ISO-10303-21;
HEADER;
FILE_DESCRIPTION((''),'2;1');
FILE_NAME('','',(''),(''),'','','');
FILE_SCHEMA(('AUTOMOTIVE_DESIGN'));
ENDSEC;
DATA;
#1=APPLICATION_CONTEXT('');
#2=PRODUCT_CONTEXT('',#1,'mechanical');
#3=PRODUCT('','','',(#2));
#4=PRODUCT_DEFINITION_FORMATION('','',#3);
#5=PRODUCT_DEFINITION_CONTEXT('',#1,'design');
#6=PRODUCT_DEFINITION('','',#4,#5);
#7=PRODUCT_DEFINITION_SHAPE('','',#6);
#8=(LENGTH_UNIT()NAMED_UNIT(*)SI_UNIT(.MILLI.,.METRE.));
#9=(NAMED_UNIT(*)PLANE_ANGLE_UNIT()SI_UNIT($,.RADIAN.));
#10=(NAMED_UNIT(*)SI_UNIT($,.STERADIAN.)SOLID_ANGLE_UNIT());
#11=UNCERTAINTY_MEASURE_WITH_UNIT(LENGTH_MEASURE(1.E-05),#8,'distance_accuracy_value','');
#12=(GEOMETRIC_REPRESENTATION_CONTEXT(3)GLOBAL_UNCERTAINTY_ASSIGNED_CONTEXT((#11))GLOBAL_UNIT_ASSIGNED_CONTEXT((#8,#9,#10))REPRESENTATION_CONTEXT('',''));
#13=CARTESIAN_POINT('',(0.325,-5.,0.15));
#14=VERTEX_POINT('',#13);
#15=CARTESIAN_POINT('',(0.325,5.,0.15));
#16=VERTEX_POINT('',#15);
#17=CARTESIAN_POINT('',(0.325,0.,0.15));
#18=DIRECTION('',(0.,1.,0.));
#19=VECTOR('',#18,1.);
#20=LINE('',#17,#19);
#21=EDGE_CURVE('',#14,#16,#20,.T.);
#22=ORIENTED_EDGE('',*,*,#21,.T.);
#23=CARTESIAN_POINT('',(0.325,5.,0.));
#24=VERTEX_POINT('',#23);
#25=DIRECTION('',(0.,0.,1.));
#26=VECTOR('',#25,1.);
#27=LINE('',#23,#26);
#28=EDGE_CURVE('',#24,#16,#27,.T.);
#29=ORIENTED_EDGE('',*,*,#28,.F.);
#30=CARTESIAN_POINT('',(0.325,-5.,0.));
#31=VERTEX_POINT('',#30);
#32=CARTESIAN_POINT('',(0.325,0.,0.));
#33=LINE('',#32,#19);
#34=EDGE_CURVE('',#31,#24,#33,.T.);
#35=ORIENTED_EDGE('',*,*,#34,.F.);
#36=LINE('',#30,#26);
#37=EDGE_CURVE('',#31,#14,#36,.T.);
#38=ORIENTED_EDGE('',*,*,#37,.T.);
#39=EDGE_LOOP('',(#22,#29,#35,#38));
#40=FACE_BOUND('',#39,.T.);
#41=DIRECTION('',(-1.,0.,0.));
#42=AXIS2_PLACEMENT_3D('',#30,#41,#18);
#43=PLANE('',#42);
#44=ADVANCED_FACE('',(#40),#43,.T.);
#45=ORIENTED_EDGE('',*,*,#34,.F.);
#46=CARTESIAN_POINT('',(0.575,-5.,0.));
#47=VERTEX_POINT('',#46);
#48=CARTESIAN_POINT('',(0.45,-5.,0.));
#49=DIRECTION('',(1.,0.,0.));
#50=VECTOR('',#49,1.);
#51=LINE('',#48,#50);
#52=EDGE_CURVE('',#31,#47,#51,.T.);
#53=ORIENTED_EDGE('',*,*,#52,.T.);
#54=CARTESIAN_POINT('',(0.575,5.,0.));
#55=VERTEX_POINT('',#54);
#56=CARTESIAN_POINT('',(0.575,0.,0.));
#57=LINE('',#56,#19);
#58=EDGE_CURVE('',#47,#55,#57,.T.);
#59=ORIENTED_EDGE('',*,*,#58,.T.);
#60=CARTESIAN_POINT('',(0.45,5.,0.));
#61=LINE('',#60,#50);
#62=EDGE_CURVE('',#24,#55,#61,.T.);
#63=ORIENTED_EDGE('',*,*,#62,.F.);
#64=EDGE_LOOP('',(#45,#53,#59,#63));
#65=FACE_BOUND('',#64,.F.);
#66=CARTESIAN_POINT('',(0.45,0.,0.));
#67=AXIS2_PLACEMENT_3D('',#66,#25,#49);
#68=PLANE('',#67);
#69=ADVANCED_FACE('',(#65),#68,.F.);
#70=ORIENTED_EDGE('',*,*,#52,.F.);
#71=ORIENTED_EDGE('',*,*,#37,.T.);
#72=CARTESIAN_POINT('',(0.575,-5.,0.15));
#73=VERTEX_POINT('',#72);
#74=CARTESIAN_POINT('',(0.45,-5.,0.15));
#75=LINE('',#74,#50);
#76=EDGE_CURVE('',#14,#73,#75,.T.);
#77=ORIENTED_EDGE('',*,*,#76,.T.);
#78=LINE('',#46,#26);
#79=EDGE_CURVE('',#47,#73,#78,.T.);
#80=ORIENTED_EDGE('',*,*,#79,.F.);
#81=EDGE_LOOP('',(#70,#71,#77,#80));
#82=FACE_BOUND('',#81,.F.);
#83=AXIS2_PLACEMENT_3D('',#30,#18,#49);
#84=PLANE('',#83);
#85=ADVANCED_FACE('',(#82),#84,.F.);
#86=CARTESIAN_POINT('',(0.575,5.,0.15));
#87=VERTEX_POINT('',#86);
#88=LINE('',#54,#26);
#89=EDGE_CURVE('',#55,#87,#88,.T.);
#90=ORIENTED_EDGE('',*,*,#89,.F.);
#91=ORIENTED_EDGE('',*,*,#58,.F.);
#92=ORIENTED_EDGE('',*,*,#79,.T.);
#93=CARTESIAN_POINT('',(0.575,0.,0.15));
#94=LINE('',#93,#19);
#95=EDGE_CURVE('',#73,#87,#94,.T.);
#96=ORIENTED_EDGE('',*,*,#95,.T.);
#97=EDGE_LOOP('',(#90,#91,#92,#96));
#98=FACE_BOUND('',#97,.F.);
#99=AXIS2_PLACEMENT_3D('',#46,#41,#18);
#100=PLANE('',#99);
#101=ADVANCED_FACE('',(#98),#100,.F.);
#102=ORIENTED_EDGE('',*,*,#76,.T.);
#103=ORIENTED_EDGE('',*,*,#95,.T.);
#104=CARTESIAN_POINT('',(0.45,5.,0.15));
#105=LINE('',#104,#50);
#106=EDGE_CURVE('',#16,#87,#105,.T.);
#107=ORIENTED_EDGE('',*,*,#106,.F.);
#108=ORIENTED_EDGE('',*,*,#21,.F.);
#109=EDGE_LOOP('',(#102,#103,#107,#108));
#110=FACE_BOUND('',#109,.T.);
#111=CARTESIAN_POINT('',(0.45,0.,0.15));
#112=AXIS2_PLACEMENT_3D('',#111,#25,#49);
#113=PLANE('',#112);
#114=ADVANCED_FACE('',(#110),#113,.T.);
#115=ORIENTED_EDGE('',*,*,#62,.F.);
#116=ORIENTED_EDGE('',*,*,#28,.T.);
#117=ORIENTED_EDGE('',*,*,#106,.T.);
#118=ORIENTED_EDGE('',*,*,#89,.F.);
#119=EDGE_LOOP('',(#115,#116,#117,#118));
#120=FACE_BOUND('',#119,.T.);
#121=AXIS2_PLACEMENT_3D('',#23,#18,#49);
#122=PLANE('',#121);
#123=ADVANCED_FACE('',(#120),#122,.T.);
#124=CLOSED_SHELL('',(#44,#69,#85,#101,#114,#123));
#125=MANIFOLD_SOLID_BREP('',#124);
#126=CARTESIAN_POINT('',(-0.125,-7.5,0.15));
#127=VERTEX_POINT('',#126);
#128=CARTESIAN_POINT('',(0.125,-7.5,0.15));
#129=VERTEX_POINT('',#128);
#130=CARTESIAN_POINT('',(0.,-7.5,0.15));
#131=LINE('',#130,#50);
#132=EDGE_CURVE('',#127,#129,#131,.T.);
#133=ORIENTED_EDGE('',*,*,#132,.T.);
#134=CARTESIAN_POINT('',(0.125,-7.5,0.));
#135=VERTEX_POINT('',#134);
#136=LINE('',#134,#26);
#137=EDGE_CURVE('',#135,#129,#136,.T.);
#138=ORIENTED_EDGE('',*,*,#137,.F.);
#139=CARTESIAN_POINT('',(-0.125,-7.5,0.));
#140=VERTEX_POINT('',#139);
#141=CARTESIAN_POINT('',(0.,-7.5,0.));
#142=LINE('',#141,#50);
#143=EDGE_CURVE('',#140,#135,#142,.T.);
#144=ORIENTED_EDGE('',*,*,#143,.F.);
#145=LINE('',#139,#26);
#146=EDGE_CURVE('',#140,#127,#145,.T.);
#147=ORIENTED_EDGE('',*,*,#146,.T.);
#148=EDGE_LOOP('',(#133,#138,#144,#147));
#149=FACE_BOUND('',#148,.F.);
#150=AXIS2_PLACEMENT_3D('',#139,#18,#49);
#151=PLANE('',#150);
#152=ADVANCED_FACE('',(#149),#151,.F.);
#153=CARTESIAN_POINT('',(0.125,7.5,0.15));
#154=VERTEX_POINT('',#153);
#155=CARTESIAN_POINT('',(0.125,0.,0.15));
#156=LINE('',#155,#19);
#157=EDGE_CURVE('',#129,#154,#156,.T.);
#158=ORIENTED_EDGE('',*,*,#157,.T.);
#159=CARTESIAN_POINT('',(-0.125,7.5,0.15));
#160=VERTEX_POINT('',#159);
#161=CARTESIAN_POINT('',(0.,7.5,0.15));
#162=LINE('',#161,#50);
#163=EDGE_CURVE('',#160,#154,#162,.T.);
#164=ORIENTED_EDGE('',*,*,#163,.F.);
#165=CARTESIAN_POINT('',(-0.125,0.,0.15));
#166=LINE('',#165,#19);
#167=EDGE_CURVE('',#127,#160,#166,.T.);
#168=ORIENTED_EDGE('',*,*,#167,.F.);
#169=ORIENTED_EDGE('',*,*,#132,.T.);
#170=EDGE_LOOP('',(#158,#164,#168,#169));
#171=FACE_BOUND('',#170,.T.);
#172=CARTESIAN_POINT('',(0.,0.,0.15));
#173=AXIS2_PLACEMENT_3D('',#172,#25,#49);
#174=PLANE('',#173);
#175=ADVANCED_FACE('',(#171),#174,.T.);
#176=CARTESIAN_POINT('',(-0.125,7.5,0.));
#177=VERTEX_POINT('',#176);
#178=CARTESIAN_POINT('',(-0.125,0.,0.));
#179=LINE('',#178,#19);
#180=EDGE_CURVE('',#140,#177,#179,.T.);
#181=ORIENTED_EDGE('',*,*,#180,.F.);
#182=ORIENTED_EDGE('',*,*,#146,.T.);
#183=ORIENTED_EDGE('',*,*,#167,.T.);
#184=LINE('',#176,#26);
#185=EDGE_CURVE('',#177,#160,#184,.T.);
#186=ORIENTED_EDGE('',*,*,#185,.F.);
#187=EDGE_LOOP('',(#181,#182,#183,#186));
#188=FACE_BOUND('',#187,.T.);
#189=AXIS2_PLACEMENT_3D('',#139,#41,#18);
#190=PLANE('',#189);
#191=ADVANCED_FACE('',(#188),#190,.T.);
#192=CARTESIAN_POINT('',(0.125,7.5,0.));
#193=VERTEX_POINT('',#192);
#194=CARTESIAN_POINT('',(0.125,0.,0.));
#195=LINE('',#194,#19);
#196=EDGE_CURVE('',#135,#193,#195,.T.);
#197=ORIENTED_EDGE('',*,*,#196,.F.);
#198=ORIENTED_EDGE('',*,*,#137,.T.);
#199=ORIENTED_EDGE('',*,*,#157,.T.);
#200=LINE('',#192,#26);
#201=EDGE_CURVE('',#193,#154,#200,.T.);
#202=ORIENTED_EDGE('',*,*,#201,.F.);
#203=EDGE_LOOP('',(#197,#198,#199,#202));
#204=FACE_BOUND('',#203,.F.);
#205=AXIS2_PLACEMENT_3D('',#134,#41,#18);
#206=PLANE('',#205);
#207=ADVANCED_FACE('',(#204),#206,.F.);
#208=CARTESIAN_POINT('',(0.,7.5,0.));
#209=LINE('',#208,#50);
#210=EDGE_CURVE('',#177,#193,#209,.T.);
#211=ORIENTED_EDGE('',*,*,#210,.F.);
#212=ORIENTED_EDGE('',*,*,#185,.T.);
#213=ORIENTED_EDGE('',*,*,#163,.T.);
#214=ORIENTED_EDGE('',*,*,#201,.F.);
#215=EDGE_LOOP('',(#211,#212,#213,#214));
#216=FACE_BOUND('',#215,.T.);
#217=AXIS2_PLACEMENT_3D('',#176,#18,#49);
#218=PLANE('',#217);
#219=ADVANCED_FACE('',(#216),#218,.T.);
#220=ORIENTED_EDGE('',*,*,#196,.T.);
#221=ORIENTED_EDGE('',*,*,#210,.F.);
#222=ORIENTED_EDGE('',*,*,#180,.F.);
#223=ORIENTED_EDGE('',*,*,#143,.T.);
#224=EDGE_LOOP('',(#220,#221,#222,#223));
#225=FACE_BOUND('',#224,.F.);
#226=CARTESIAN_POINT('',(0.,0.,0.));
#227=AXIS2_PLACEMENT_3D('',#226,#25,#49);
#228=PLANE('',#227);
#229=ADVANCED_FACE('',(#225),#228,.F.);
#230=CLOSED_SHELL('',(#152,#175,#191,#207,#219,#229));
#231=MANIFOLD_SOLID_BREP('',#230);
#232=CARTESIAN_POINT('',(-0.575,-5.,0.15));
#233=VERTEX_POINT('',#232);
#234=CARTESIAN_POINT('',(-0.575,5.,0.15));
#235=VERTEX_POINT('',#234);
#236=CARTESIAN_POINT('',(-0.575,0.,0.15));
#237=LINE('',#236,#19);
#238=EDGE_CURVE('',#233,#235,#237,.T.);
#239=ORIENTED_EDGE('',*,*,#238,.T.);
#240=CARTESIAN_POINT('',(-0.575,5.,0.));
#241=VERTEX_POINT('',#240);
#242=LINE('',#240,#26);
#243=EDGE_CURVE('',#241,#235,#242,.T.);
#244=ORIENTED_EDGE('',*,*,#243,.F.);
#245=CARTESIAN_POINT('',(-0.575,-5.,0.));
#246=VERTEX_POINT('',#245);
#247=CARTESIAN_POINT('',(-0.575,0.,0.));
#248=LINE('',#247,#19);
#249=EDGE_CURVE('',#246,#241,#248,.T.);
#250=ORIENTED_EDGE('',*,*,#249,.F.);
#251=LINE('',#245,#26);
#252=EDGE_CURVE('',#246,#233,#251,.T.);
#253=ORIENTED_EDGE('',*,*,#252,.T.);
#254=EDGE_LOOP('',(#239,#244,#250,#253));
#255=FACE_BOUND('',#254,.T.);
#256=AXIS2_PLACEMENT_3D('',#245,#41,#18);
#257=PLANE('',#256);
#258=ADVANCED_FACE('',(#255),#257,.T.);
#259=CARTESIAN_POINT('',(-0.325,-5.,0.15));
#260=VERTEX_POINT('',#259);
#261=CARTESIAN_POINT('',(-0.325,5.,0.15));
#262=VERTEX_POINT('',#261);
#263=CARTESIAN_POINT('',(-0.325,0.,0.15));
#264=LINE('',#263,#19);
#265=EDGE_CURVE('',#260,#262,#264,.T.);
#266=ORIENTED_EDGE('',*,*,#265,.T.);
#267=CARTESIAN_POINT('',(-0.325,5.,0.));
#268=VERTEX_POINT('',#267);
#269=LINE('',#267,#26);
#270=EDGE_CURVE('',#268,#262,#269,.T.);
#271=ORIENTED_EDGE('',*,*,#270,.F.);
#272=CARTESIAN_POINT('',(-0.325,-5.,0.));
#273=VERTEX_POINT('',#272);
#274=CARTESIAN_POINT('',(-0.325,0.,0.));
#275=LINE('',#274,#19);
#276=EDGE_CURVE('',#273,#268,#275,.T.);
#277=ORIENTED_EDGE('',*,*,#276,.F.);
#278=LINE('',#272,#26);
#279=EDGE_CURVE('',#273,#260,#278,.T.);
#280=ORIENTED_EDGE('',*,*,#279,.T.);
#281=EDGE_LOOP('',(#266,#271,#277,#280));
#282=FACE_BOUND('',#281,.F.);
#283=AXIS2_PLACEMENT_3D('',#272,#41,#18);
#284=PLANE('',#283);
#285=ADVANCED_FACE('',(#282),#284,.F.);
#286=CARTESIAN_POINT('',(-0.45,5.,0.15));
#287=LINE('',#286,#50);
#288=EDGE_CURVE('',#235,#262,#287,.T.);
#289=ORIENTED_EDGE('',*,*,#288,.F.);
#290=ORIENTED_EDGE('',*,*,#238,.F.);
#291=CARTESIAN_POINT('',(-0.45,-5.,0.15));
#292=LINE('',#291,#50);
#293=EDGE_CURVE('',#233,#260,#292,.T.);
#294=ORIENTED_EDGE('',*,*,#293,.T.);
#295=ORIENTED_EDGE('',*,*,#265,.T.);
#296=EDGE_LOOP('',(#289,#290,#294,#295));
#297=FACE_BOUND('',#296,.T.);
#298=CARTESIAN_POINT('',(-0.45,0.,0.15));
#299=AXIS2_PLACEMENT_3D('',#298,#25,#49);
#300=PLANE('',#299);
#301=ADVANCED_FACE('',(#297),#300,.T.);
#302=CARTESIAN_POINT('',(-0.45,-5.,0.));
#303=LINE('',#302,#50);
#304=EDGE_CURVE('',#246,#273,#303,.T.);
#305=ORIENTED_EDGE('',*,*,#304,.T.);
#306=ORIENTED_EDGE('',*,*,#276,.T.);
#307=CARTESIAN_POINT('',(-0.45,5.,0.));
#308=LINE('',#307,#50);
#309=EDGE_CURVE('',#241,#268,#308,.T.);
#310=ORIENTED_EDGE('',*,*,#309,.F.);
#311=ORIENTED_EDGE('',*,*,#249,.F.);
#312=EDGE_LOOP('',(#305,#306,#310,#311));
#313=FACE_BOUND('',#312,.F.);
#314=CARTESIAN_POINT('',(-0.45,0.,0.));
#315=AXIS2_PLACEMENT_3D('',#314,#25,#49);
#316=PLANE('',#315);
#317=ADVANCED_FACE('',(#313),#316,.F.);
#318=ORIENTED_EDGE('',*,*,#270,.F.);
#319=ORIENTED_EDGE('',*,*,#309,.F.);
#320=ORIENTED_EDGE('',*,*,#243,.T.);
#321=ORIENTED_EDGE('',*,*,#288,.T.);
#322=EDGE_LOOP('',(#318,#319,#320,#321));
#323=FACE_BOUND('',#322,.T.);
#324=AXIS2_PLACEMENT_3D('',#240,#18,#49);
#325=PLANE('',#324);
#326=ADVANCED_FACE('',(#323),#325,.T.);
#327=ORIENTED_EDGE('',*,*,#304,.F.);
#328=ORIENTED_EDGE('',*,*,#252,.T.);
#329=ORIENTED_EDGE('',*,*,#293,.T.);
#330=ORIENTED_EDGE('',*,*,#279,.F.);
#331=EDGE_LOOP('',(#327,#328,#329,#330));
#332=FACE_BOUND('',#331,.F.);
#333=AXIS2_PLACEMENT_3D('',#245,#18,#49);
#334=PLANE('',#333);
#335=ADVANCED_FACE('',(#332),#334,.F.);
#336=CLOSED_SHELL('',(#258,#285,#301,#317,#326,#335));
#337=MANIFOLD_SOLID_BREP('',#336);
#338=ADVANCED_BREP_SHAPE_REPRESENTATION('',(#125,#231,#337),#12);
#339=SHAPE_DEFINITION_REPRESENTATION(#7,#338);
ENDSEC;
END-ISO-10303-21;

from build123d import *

# Parameters (mm, degrees)
F0_W     = 0.25
F0_H     = 10
F0_H_2   = 15
F1_DEPTH = 0.15


with BuildPart() as f1:
    # F0 (on Top) → F1 (new body)
    with BuildSketch(Plane.XY):
        with Locations((-0.45, 0)):
            Rectangle(F0_W, F0_H)
        Rectangle(F0_W, F0_H_2)
        with Locations((0.45, 0)):
            Rectangle(F0_W, F0_H)
    extrude(amount=F1_DEPTH)


solid = f1.part
